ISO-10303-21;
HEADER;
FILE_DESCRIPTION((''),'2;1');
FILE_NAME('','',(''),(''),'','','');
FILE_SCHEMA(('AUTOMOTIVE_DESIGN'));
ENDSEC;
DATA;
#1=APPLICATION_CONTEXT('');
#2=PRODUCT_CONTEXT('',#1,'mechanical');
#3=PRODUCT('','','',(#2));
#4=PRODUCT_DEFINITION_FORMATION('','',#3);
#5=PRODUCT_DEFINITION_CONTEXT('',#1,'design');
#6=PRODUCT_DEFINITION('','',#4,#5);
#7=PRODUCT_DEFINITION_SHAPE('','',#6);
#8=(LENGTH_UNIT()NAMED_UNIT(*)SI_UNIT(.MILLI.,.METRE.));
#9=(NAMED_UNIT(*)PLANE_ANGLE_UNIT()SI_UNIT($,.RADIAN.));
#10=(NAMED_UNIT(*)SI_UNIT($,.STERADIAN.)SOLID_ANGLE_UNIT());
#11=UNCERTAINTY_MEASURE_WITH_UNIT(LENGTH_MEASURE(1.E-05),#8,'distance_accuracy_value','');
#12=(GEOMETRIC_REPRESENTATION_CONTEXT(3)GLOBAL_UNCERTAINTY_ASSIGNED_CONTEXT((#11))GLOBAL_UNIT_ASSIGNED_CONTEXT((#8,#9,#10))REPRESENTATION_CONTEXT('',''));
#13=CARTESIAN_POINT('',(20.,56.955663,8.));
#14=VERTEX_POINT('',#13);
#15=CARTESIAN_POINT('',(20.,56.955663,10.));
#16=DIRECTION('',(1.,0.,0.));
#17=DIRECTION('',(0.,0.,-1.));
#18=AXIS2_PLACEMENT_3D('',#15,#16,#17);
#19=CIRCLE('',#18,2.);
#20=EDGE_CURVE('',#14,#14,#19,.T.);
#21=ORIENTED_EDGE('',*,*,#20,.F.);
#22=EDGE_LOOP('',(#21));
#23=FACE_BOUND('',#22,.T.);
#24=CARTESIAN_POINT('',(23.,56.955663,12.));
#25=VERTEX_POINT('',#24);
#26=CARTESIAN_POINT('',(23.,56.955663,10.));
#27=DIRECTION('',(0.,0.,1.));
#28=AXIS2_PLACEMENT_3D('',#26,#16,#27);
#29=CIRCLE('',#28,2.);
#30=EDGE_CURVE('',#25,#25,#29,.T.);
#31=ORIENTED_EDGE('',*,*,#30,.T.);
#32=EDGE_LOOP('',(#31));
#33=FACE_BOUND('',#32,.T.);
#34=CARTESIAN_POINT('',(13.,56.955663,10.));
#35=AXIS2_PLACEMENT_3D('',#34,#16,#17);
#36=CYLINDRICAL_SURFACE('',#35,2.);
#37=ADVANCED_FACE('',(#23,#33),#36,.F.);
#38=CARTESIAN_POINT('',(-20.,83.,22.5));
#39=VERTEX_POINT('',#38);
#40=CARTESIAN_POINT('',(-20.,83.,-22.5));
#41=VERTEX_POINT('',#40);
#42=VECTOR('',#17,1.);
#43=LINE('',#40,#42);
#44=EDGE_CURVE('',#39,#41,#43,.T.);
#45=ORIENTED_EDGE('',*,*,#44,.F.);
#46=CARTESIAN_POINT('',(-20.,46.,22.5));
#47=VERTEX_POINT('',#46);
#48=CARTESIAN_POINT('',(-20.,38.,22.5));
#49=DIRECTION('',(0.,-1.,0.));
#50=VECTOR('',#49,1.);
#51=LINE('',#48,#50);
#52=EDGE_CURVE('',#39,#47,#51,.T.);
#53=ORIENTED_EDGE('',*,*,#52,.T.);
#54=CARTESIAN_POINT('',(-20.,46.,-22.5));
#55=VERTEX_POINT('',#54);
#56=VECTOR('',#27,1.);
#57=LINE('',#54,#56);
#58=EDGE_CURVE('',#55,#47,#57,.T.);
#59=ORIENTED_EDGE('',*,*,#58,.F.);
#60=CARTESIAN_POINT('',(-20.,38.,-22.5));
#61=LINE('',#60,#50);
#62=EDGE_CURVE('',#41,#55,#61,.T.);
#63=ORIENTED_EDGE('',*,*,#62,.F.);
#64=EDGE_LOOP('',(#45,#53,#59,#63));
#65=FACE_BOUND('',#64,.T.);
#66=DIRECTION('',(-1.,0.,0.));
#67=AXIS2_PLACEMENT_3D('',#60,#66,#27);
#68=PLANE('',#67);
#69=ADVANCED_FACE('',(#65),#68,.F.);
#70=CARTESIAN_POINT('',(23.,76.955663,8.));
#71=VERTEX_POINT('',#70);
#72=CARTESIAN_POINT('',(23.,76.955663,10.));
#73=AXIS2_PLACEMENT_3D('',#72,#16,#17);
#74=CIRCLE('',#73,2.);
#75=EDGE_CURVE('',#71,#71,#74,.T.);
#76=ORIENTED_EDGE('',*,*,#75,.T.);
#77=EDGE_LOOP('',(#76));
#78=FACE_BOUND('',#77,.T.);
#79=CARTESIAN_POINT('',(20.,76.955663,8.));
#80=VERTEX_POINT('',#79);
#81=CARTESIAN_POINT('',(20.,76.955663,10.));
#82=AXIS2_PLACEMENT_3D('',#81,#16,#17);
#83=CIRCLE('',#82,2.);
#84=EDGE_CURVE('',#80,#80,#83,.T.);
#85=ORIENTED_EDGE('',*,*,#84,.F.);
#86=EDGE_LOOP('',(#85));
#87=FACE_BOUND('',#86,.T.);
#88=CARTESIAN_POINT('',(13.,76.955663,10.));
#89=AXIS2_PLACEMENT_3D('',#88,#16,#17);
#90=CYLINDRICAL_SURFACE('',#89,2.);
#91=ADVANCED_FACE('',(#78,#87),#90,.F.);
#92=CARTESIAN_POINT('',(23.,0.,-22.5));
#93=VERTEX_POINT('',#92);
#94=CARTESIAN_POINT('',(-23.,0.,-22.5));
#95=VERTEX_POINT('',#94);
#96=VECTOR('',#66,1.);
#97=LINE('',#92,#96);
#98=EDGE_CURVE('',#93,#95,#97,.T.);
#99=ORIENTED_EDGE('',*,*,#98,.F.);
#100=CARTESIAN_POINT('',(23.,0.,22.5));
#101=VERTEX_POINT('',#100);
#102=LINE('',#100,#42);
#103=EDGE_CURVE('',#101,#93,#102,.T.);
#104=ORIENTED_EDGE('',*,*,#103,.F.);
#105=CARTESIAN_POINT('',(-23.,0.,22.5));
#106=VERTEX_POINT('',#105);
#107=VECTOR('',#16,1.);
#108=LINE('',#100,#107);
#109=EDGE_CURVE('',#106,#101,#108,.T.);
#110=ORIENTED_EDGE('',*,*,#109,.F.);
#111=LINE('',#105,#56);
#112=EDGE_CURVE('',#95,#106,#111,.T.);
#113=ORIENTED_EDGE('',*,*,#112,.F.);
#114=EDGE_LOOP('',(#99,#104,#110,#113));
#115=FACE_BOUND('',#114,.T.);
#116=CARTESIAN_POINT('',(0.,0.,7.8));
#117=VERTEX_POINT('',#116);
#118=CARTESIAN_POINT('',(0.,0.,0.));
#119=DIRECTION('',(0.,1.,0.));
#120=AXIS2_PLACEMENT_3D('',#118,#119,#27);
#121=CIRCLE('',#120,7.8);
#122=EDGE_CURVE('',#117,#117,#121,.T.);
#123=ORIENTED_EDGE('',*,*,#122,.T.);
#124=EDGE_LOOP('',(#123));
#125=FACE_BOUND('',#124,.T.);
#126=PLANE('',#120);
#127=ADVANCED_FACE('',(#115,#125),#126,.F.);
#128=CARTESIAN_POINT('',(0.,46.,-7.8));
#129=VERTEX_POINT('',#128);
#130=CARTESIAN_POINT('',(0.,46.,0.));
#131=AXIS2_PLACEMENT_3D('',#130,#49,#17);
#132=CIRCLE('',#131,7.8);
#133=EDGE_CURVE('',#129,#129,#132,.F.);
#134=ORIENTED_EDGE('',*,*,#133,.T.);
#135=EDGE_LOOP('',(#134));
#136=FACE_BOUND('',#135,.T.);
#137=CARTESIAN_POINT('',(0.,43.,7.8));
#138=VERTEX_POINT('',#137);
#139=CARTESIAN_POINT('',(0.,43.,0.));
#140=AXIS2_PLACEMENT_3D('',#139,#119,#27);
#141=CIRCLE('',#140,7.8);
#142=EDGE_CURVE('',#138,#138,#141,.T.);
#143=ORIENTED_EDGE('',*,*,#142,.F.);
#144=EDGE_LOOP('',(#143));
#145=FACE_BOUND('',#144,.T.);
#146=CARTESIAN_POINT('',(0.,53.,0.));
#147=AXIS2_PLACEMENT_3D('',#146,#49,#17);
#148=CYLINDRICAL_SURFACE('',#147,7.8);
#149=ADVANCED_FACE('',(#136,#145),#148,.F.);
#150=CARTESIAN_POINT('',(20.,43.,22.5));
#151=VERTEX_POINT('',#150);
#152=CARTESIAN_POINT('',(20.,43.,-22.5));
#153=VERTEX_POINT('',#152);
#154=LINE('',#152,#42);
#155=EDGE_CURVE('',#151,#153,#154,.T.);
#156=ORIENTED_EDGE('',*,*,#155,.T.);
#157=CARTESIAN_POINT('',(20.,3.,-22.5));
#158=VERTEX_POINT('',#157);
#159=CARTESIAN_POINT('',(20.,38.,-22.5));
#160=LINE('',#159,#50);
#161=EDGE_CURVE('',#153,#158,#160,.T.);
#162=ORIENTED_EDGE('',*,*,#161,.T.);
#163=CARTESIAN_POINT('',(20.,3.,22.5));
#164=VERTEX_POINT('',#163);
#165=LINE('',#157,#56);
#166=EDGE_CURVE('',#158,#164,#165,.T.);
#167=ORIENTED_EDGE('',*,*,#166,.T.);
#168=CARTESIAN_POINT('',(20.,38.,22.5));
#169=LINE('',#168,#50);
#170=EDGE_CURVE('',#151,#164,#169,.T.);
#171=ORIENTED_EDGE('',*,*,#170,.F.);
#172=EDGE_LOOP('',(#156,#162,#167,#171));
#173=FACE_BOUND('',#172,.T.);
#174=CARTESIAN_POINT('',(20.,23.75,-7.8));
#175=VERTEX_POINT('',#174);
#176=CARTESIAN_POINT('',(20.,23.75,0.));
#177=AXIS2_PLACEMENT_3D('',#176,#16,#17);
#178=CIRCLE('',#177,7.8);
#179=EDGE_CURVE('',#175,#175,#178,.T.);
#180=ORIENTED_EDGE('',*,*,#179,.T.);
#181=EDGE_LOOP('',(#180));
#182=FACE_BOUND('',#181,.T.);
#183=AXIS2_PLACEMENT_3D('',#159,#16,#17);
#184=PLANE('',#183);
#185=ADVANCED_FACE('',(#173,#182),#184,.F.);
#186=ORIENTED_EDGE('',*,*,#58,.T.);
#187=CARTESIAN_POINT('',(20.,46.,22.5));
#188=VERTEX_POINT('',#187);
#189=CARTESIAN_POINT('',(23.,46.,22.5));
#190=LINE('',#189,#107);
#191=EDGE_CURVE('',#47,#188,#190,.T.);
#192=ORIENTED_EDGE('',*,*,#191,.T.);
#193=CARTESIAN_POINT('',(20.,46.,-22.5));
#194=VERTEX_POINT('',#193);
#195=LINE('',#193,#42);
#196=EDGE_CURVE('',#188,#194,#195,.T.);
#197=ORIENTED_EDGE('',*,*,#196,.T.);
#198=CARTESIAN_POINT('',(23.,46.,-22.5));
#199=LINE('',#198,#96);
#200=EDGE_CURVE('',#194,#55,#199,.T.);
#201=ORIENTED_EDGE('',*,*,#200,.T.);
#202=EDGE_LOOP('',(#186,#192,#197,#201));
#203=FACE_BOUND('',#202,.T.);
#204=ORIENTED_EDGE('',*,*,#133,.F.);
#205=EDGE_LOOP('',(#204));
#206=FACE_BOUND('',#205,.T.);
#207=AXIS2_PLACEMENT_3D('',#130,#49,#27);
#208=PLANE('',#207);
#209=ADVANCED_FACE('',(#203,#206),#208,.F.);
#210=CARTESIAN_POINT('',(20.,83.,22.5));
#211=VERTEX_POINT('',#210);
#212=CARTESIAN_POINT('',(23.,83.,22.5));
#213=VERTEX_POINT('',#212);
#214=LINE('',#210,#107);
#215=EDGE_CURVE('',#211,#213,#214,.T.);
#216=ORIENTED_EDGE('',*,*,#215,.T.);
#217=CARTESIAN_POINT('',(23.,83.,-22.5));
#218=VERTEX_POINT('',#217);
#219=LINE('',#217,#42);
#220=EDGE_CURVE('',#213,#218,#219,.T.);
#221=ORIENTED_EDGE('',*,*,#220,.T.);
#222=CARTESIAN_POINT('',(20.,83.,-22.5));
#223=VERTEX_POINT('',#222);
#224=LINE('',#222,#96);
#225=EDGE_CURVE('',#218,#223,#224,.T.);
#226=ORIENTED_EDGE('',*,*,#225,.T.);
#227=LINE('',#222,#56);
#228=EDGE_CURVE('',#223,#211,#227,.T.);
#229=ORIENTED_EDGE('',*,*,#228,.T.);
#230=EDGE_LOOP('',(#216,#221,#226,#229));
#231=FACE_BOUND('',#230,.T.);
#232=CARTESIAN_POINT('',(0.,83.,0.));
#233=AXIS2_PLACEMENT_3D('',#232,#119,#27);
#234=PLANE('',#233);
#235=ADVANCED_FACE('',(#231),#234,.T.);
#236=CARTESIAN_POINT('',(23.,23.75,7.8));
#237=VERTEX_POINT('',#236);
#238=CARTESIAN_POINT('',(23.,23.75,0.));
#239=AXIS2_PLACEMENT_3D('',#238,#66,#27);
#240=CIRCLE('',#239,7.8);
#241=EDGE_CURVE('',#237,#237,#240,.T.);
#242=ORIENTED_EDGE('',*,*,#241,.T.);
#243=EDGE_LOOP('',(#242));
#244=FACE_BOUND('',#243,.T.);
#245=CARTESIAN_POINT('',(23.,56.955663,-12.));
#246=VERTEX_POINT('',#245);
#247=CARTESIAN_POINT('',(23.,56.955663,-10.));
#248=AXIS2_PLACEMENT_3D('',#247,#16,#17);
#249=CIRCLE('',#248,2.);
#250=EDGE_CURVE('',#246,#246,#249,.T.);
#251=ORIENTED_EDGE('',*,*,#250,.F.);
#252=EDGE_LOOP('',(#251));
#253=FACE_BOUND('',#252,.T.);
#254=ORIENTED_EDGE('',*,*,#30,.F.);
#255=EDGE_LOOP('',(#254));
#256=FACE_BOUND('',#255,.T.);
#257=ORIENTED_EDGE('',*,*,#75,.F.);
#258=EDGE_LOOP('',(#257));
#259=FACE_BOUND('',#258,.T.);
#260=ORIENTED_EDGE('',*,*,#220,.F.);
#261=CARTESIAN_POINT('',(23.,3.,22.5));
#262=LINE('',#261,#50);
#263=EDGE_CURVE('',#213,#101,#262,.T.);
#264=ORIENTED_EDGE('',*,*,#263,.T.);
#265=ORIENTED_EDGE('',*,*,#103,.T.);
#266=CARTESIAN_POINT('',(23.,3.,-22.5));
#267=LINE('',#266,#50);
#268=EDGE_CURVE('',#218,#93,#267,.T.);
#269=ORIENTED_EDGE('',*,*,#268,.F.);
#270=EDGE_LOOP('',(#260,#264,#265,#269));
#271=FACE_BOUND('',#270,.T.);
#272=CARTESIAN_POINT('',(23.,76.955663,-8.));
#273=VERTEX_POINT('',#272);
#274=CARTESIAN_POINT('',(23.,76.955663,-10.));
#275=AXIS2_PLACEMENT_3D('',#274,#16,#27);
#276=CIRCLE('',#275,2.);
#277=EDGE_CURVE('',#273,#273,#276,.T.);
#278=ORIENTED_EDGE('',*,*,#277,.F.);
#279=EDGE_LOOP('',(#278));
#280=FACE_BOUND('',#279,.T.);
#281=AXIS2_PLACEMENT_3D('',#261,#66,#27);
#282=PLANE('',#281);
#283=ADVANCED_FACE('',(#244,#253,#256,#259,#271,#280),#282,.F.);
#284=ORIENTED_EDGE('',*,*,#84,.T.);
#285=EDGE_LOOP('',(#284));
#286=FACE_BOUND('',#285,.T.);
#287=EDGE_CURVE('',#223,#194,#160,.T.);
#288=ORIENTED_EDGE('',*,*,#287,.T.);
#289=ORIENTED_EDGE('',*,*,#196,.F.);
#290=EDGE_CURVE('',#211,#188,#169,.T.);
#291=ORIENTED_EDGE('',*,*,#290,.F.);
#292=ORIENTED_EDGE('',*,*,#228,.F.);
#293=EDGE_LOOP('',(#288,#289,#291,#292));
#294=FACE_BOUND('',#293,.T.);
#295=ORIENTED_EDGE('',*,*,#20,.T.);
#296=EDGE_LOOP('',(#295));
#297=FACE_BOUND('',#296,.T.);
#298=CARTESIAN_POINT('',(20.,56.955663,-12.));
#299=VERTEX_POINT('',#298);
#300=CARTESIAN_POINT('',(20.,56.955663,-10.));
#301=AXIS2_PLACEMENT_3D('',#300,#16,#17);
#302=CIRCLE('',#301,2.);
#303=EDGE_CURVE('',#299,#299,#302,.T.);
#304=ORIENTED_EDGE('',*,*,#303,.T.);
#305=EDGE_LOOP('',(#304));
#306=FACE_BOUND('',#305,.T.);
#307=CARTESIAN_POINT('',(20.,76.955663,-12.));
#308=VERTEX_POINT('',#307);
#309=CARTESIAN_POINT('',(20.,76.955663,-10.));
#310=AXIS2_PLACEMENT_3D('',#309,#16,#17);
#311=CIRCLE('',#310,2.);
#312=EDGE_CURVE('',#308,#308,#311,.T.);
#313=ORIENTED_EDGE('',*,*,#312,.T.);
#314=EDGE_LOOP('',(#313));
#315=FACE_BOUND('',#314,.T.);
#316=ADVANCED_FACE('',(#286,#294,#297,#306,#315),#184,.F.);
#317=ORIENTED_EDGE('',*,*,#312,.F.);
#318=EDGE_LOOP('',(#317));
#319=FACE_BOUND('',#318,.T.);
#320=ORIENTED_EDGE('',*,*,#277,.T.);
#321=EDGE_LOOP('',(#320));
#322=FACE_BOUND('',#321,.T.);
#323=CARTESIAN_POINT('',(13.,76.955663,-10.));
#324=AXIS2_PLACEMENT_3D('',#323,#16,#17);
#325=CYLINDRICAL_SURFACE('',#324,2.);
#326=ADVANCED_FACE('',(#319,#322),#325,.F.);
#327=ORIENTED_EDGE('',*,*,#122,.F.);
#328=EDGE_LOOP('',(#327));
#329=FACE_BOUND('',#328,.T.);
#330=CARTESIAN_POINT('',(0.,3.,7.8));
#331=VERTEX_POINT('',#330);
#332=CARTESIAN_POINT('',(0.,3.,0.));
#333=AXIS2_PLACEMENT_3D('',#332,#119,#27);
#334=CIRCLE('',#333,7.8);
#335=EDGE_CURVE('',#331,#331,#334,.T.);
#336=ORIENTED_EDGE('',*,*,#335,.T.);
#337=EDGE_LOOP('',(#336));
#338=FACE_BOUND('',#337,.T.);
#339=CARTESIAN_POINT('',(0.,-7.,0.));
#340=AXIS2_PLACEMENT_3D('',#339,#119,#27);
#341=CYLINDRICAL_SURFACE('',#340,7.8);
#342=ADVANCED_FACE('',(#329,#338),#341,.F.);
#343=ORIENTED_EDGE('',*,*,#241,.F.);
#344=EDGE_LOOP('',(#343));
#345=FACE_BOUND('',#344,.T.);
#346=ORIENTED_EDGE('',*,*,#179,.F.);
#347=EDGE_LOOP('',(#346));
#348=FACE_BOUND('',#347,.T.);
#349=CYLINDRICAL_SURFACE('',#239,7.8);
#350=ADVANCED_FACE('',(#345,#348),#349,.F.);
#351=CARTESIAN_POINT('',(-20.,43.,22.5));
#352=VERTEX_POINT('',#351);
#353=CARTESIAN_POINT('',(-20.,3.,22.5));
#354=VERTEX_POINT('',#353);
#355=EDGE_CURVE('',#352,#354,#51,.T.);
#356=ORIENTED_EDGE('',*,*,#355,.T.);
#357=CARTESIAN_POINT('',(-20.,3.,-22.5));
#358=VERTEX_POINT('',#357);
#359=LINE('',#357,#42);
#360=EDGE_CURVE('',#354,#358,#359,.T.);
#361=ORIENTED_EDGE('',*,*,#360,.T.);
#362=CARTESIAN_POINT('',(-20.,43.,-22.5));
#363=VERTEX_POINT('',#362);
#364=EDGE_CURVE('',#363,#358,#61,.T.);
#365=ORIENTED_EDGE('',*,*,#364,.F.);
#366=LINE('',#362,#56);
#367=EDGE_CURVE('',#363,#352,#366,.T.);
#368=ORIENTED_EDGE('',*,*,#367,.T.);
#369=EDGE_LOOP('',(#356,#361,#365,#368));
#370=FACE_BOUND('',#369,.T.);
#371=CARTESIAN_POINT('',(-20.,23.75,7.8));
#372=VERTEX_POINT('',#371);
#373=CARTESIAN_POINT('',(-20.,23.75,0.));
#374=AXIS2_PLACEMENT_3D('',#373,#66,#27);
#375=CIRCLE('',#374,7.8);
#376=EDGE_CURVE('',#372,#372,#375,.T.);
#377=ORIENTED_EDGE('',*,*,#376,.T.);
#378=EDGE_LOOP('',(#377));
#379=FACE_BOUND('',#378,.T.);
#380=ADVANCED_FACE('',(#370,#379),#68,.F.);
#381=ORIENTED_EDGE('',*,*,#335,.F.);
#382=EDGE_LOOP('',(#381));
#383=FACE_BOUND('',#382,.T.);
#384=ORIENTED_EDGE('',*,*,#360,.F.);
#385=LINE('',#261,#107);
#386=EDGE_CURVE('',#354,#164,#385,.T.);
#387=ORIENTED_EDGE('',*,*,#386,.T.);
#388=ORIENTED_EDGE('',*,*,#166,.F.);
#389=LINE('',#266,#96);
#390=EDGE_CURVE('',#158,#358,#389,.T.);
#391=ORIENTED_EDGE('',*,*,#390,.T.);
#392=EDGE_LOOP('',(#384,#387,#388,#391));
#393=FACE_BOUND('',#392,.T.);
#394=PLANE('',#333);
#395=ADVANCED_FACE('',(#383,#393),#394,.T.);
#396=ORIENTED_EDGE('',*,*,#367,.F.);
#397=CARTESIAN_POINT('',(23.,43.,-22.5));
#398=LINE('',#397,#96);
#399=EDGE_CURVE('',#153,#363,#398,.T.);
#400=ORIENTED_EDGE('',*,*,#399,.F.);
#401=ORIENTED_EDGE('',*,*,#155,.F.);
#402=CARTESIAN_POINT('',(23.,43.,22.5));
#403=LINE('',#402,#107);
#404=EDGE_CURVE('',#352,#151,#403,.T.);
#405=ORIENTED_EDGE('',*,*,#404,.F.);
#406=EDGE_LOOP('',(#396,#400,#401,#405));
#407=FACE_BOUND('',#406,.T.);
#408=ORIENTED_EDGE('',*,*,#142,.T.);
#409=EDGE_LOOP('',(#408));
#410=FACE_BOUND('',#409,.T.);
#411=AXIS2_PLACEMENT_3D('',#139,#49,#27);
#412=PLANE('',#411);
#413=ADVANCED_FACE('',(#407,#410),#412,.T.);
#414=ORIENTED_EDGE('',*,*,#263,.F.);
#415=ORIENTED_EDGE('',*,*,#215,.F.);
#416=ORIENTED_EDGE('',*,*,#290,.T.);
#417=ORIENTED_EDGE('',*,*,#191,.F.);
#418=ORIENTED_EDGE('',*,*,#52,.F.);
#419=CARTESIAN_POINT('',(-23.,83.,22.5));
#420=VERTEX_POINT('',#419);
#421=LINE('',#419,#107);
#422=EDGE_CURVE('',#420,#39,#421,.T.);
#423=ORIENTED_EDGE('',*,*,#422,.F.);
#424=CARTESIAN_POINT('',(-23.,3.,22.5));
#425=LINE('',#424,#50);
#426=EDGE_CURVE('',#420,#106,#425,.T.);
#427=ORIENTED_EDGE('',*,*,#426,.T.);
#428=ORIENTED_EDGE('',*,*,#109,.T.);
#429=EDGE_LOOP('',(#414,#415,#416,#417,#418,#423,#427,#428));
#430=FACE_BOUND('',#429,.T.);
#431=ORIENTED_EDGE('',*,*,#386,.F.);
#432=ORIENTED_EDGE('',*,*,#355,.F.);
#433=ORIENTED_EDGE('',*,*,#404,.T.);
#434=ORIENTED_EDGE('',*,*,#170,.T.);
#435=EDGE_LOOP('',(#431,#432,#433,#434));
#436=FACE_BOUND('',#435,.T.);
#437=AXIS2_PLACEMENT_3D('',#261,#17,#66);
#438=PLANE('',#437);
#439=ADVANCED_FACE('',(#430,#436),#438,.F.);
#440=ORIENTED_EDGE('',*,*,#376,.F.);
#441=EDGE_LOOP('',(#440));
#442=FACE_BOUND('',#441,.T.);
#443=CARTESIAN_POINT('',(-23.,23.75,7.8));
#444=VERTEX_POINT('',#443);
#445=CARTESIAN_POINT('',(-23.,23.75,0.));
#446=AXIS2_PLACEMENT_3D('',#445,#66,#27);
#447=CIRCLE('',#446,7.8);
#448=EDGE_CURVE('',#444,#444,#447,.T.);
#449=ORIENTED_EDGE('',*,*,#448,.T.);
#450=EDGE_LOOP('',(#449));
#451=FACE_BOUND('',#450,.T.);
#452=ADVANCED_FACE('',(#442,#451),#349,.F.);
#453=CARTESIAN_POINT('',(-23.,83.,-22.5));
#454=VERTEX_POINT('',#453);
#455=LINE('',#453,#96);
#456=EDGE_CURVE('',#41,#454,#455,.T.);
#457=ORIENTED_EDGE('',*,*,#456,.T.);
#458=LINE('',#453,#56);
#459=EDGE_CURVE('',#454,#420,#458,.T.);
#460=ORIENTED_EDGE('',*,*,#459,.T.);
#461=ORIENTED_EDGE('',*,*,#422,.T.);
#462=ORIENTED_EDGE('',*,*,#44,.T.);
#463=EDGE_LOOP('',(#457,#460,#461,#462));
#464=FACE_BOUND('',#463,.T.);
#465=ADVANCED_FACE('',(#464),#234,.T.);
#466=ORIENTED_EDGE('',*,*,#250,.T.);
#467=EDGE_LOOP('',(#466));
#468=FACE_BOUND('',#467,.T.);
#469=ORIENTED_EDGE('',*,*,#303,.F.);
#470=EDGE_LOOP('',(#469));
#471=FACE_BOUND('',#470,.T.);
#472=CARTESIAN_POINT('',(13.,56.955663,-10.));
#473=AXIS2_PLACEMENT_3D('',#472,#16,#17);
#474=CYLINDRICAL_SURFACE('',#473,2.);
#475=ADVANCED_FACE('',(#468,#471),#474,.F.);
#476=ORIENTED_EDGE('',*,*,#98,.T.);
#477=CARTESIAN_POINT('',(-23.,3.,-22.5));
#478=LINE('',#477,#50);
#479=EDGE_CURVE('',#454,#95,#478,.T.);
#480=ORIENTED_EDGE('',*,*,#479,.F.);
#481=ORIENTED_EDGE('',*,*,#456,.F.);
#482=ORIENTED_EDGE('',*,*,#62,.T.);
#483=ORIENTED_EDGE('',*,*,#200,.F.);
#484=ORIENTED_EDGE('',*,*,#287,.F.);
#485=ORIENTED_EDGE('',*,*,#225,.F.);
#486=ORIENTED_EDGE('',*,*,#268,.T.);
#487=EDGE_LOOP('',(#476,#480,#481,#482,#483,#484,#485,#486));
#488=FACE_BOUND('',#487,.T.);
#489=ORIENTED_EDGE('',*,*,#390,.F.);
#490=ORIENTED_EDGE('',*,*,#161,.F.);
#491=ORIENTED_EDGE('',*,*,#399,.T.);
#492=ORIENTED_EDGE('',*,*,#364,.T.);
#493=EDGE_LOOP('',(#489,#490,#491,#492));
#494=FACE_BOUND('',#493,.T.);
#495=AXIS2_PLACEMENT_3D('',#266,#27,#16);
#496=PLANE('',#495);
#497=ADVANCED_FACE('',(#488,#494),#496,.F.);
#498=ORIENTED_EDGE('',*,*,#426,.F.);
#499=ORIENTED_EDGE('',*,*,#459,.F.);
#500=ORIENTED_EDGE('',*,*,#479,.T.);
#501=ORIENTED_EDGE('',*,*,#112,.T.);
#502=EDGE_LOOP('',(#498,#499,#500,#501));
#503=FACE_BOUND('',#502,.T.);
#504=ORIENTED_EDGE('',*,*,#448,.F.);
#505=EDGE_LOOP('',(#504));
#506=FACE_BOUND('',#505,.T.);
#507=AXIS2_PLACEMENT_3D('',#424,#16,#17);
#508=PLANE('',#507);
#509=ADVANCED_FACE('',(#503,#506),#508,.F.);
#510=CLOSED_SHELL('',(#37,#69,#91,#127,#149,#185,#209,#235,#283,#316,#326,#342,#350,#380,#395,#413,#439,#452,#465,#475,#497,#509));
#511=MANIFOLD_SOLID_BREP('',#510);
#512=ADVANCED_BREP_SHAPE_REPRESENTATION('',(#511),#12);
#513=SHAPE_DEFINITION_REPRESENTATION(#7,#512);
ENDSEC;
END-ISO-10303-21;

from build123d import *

# Parameters (mm, degrees)
SKETCH1_W           = 46
SKETCH1_H           = 45
BOSS_EXTRUDE1_DEPTH = 3
SKETCH5_W           = 3
SKETCH5_H           = 45
BOSS_EXTRUDE3_DEPTH = 35
SKETCH9_R           = 7.8
CUT_EXTRUDE5_DEPTH  = 10
SKETCH11_R          = 7.8
CUT_EXTRUDE8_DEPTH  = 47
SKETCH12_W          = 3
SKETCH12_H          = 45
BOSS_EXTRUDE4_DEPTH = 45
SKETCH13_R          = 2
CUT_EXTRUDE9_DEPTH  = 10


with BuildPart() as part:
    # Sketch1 → Boss-Extrude1 (new body)
    with BuildSketch(Plane(origin=(0, 0, 0), x_dir=(1, 0, 0), z_dir=(0, 1, 0))):
        Rectangle(SKETCH1_W, SKETCH1_H)
    boss_extrude1 = extrude(amount=BOSS_EXTRUDE1_DEPTH)

    # Sketch5 → Boss-Extrude3 (add)
    with BuildSketch(Plane(origin=(0, 3, 0), x_dir=(1, 0, 0), z_dir=(0, 1, 0))):
        with Locations((21.5, 0)):
            Rectangle(SKETCH5_W, SKETCH5_H)
        with Locations((-21.5, 0)):
            Rectangle(SKETCH5_W, SKETCH5_H)
    extrude(amount=BOSS_EXTRUDE3_DEPTH)

    # Sketch9 → Cut-Extrude5 (cut)
    with BuildSketch(Plane(origin=(0, 3, 0), x_dir=(1, 0, 0), z_dir=(0, 1, 0))):
        Circle(SKETCH9_R)
    cut_extrude5 = extrude(amount=-CUT_EXTRUDE5_DEPTH, mode=Mode.SUBTRACT)

    # Sketch11 → Cut-Extrude8 (cut, through all)
    with BuildSketch(Plane.ZY.offset(23)):
        with Locations((0, 23.75)):
            Circle(SKETCH11_R)
    extrude(amount=-CUT_EXTRUDE8_DEPTH, mode=Mode.SUBTRACT)

    # Sketch12 → Boss-Extrude4 (add)
    with BuildSketch(Plane(origin=(0, 38, 0), x_dir=(1, 0, 0), z_dir=(0, 1, 0))):
        with Locations((-21.5, 0)):
            Rectangle(SKETCH12_W, SKETCH12_H)
        with Locations((21.5, 0)):
            Rectangle(SKETCH12_W, SKETCH12_H)
    extrude(amount=BOSS_EXTRUDE4_DEPTH)

    # Sketch13 → Cut-Extrude9 (cut)
    with BuildSketch(Plane(origin=(23, 0, 0), x_dir=(0, 0, -1), z_dir=(1, 0, 0))):
        with Locations((-10, 76.955662999)):
            Circle(SKETCH13_R)
        with Locations((10, 76.955662999)):
            Circle(SKETCH13_R)
        with Locations((10, 56.955662999)):
            Circle(SKETCH13_R)
        with Locations((-10, 56.955662999)):
            Circle(SKETCH13_R)
    extrude(amount=-CUT_EXTRUDE9_DEPTH, mode=Mode.SUBTRACT)

    # Mirror1: Boss-Extrude1, Cut-Extrude5 across plane
    add(boss_extrude1.mirror(Plane.ZX.offset(23)))
    add(cut_extrude5.mirror(Plane.ZX.offset(23)), mode=Mode.SUBTRACT)


solid = part.part
